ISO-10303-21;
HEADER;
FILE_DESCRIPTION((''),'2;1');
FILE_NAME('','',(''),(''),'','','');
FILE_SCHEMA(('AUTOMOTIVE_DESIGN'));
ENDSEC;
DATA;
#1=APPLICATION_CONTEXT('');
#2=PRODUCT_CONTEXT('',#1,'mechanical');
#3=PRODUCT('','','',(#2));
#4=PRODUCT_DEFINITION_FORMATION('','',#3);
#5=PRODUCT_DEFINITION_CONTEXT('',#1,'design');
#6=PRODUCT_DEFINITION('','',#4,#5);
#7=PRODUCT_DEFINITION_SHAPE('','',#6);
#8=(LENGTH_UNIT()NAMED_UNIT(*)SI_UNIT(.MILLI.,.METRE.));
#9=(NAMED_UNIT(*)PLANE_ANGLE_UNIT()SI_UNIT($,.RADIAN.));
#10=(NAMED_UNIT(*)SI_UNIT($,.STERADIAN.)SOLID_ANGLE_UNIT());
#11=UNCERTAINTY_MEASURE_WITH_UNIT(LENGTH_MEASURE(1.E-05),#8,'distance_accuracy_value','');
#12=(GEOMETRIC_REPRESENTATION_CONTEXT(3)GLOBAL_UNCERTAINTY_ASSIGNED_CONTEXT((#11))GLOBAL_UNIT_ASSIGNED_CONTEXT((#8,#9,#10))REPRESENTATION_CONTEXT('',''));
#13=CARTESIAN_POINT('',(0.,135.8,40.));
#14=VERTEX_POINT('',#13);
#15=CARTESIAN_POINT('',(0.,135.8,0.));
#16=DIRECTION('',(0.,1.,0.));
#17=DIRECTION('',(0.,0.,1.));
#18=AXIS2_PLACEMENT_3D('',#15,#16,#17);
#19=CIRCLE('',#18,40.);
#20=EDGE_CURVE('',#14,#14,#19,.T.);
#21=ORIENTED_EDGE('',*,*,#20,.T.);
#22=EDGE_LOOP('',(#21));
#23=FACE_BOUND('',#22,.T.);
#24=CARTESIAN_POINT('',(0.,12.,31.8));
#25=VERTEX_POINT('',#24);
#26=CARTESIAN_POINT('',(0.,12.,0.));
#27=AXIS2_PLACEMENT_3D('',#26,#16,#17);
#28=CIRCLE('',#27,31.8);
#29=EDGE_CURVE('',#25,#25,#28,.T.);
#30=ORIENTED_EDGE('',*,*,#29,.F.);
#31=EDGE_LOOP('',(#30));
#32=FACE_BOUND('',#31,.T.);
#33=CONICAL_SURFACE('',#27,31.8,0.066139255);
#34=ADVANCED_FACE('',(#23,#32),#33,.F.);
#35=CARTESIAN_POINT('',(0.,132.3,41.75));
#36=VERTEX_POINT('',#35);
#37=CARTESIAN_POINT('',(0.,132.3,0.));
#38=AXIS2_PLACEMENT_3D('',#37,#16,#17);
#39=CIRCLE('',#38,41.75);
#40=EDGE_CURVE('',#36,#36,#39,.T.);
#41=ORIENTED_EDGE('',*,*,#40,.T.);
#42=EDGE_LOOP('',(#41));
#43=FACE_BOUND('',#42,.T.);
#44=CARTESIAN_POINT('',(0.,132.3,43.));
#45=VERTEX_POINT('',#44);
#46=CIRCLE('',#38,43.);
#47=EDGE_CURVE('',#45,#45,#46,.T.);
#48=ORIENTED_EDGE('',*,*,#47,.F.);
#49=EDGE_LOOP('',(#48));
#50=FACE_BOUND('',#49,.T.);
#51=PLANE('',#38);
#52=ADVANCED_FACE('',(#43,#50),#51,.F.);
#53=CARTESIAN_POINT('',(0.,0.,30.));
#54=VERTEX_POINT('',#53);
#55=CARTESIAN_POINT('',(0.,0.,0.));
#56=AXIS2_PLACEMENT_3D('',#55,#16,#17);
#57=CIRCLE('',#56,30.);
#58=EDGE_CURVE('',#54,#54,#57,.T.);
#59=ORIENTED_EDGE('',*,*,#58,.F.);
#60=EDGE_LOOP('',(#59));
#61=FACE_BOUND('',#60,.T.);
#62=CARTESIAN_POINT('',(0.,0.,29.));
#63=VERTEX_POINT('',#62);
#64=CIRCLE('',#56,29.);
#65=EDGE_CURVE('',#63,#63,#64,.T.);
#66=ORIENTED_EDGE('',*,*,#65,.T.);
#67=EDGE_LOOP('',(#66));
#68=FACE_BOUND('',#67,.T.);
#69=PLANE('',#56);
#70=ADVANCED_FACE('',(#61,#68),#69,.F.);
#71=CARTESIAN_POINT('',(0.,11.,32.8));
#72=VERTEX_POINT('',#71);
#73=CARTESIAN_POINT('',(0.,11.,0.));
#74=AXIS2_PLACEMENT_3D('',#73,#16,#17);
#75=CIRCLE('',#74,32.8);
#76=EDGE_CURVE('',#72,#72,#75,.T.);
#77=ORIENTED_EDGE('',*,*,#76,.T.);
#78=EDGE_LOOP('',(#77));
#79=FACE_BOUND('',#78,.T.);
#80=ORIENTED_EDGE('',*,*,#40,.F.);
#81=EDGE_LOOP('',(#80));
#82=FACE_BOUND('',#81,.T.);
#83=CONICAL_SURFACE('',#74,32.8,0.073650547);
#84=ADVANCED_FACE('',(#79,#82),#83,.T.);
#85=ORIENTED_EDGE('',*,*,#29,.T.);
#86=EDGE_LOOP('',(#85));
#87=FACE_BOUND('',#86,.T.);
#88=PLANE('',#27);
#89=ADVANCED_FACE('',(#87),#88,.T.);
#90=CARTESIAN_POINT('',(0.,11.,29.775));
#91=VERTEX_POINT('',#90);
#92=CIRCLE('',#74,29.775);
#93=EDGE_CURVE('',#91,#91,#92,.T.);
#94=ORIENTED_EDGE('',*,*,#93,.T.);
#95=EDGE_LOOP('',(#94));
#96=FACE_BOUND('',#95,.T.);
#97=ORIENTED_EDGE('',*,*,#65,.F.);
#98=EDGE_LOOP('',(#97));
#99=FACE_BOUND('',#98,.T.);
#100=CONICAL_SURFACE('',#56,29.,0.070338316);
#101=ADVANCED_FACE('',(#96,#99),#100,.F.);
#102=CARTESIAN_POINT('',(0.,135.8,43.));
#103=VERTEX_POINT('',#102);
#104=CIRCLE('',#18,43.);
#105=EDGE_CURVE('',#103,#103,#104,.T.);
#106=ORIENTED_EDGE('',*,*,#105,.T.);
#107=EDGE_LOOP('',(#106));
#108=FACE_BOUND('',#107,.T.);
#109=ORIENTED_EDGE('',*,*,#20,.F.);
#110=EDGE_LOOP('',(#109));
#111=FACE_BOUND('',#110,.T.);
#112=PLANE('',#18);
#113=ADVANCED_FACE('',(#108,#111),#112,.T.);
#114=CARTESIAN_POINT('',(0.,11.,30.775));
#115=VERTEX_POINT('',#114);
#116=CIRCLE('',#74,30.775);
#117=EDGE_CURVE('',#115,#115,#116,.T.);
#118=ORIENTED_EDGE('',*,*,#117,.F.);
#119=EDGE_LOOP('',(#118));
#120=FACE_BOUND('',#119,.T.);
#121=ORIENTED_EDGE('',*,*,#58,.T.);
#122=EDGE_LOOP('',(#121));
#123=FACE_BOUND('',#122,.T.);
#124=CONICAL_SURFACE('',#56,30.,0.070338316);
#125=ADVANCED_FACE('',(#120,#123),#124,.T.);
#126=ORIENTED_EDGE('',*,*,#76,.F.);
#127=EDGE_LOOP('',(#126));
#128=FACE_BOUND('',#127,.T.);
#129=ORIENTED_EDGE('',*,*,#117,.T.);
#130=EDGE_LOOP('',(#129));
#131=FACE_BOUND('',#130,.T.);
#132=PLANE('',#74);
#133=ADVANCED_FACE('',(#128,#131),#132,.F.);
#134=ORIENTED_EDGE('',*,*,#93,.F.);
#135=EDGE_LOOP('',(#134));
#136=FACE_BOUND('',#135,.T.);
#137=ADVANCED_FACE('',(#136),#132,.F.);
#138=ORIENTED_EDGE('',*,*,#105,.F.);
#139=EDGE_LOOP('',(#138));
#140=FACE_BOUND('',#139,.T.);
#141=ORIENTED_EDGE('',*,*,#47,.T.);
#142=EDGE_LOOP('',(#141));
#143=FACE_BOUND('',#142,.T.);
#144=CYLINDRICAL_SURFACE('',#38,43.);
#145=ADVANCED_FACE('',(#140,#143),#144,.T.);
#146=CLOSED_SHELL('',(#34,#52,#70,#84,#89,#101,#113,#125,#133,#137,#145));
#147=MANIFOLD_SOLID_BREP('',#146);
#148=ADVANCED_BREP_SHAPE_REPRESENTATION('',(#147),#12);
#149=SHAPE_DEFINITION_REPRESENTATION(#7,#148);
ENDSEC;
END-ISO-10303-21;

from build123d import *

# Parameters (mm, degrees)
SKETCH_5_R  = 43
SKETCH_6_R  = 43
SKETCH_3_R  = 32.8
SKETCH_4_R  = 41.75
SKETCH_2_R  = 30.775
SKETCH_1_R  = 30
SKETCH_11_R = 29
SKETCH_12_R = 29.775
SKETCH_13_R = 40
SKETCH_14_R = 31.8


with BuildPart() as part:
    # 草图5 → Loft 2 section 0
    with BuildSketch(Plane(origin=(0, 132.3, 0), x_dir=(1, 0, 0), z_dir=(0, 1, 0))):
        Circle(SKETCH_5_R)
    # 草图6 → Loft 2 section 1
    with BuildSketch(Plane(origin=(0, 135.8, 0), x_dir=(1, 0, 0), z_dir=(0, 1, 0))):
        Circle(SKETCH_6_R)
    loft()

    # 草图3 → 放样3 section 0
    with BuildSketch(Plane(origin=(0, 11, 0), x_dir=(1, 0, 0), z_dir=(0, 1, 0))):
        Circle(SKETCH_3_R)
    # 草图4 → 放样3 section 1
    with BuildSketch(Plane(origin=(0, 132.3, 0), x_dir=(1, 0, 0), z_dir=(0, 1, 0))):
        Circle(SKETCH_4_R)
    loft()

    # 草图2 → 放样4 section 0
    with BuildSketch(Plane(origin=(0, 11, 0), x_dir=(1, 0, 0), z_dir=(0, 1, 0))):
        Circle(SKETCH_2_R)
    # 草图1 → 放样4 section 1
    with BuildSketch(Plane(origin=(0, 0, 0), x_dir=(1, 0, 0), z_dir=(0, 1, 0))):
        Circle(SKETCH_1_R)
    loft()

    # 草图11 → 切除-放样1 section 0
    with BuildSketch(Plane(origin=(0, 0, 0), x_dir=(1, 0, 0), z_dir=(0, 1, 0))):
        Circle(SKETCH_11_R)
    # 草图12 → 切除-放样1 section 1
    with BuildSketch(Plane(origin=(0, 11, 0), x_dir=(1, 0, 0), z_dir=(0, 1, 0))):
        Circle(SKETCH_12_R)
    loft(mode=Mode.SUBTRACT)

    # 草图13 → Loft 2 2 section 0
    with BuildSketch(Plane(origin=(0, 135.8, 0), x_dir=(1, 0, 0), z_dir=(0, 1, 0))):
        Circle(SKETCH_13_R)
    # 草图14 → Loft 2 2 section 1
    with BuildSketch(Plane(origin=(0, 12, 0), x_dir=(1, 0, 0), z_dir=(0, 1, 0))):
        Circle(SKETCH_14_R)
    loft(mode=Mode.SUBTRACT)


solid = part.part
